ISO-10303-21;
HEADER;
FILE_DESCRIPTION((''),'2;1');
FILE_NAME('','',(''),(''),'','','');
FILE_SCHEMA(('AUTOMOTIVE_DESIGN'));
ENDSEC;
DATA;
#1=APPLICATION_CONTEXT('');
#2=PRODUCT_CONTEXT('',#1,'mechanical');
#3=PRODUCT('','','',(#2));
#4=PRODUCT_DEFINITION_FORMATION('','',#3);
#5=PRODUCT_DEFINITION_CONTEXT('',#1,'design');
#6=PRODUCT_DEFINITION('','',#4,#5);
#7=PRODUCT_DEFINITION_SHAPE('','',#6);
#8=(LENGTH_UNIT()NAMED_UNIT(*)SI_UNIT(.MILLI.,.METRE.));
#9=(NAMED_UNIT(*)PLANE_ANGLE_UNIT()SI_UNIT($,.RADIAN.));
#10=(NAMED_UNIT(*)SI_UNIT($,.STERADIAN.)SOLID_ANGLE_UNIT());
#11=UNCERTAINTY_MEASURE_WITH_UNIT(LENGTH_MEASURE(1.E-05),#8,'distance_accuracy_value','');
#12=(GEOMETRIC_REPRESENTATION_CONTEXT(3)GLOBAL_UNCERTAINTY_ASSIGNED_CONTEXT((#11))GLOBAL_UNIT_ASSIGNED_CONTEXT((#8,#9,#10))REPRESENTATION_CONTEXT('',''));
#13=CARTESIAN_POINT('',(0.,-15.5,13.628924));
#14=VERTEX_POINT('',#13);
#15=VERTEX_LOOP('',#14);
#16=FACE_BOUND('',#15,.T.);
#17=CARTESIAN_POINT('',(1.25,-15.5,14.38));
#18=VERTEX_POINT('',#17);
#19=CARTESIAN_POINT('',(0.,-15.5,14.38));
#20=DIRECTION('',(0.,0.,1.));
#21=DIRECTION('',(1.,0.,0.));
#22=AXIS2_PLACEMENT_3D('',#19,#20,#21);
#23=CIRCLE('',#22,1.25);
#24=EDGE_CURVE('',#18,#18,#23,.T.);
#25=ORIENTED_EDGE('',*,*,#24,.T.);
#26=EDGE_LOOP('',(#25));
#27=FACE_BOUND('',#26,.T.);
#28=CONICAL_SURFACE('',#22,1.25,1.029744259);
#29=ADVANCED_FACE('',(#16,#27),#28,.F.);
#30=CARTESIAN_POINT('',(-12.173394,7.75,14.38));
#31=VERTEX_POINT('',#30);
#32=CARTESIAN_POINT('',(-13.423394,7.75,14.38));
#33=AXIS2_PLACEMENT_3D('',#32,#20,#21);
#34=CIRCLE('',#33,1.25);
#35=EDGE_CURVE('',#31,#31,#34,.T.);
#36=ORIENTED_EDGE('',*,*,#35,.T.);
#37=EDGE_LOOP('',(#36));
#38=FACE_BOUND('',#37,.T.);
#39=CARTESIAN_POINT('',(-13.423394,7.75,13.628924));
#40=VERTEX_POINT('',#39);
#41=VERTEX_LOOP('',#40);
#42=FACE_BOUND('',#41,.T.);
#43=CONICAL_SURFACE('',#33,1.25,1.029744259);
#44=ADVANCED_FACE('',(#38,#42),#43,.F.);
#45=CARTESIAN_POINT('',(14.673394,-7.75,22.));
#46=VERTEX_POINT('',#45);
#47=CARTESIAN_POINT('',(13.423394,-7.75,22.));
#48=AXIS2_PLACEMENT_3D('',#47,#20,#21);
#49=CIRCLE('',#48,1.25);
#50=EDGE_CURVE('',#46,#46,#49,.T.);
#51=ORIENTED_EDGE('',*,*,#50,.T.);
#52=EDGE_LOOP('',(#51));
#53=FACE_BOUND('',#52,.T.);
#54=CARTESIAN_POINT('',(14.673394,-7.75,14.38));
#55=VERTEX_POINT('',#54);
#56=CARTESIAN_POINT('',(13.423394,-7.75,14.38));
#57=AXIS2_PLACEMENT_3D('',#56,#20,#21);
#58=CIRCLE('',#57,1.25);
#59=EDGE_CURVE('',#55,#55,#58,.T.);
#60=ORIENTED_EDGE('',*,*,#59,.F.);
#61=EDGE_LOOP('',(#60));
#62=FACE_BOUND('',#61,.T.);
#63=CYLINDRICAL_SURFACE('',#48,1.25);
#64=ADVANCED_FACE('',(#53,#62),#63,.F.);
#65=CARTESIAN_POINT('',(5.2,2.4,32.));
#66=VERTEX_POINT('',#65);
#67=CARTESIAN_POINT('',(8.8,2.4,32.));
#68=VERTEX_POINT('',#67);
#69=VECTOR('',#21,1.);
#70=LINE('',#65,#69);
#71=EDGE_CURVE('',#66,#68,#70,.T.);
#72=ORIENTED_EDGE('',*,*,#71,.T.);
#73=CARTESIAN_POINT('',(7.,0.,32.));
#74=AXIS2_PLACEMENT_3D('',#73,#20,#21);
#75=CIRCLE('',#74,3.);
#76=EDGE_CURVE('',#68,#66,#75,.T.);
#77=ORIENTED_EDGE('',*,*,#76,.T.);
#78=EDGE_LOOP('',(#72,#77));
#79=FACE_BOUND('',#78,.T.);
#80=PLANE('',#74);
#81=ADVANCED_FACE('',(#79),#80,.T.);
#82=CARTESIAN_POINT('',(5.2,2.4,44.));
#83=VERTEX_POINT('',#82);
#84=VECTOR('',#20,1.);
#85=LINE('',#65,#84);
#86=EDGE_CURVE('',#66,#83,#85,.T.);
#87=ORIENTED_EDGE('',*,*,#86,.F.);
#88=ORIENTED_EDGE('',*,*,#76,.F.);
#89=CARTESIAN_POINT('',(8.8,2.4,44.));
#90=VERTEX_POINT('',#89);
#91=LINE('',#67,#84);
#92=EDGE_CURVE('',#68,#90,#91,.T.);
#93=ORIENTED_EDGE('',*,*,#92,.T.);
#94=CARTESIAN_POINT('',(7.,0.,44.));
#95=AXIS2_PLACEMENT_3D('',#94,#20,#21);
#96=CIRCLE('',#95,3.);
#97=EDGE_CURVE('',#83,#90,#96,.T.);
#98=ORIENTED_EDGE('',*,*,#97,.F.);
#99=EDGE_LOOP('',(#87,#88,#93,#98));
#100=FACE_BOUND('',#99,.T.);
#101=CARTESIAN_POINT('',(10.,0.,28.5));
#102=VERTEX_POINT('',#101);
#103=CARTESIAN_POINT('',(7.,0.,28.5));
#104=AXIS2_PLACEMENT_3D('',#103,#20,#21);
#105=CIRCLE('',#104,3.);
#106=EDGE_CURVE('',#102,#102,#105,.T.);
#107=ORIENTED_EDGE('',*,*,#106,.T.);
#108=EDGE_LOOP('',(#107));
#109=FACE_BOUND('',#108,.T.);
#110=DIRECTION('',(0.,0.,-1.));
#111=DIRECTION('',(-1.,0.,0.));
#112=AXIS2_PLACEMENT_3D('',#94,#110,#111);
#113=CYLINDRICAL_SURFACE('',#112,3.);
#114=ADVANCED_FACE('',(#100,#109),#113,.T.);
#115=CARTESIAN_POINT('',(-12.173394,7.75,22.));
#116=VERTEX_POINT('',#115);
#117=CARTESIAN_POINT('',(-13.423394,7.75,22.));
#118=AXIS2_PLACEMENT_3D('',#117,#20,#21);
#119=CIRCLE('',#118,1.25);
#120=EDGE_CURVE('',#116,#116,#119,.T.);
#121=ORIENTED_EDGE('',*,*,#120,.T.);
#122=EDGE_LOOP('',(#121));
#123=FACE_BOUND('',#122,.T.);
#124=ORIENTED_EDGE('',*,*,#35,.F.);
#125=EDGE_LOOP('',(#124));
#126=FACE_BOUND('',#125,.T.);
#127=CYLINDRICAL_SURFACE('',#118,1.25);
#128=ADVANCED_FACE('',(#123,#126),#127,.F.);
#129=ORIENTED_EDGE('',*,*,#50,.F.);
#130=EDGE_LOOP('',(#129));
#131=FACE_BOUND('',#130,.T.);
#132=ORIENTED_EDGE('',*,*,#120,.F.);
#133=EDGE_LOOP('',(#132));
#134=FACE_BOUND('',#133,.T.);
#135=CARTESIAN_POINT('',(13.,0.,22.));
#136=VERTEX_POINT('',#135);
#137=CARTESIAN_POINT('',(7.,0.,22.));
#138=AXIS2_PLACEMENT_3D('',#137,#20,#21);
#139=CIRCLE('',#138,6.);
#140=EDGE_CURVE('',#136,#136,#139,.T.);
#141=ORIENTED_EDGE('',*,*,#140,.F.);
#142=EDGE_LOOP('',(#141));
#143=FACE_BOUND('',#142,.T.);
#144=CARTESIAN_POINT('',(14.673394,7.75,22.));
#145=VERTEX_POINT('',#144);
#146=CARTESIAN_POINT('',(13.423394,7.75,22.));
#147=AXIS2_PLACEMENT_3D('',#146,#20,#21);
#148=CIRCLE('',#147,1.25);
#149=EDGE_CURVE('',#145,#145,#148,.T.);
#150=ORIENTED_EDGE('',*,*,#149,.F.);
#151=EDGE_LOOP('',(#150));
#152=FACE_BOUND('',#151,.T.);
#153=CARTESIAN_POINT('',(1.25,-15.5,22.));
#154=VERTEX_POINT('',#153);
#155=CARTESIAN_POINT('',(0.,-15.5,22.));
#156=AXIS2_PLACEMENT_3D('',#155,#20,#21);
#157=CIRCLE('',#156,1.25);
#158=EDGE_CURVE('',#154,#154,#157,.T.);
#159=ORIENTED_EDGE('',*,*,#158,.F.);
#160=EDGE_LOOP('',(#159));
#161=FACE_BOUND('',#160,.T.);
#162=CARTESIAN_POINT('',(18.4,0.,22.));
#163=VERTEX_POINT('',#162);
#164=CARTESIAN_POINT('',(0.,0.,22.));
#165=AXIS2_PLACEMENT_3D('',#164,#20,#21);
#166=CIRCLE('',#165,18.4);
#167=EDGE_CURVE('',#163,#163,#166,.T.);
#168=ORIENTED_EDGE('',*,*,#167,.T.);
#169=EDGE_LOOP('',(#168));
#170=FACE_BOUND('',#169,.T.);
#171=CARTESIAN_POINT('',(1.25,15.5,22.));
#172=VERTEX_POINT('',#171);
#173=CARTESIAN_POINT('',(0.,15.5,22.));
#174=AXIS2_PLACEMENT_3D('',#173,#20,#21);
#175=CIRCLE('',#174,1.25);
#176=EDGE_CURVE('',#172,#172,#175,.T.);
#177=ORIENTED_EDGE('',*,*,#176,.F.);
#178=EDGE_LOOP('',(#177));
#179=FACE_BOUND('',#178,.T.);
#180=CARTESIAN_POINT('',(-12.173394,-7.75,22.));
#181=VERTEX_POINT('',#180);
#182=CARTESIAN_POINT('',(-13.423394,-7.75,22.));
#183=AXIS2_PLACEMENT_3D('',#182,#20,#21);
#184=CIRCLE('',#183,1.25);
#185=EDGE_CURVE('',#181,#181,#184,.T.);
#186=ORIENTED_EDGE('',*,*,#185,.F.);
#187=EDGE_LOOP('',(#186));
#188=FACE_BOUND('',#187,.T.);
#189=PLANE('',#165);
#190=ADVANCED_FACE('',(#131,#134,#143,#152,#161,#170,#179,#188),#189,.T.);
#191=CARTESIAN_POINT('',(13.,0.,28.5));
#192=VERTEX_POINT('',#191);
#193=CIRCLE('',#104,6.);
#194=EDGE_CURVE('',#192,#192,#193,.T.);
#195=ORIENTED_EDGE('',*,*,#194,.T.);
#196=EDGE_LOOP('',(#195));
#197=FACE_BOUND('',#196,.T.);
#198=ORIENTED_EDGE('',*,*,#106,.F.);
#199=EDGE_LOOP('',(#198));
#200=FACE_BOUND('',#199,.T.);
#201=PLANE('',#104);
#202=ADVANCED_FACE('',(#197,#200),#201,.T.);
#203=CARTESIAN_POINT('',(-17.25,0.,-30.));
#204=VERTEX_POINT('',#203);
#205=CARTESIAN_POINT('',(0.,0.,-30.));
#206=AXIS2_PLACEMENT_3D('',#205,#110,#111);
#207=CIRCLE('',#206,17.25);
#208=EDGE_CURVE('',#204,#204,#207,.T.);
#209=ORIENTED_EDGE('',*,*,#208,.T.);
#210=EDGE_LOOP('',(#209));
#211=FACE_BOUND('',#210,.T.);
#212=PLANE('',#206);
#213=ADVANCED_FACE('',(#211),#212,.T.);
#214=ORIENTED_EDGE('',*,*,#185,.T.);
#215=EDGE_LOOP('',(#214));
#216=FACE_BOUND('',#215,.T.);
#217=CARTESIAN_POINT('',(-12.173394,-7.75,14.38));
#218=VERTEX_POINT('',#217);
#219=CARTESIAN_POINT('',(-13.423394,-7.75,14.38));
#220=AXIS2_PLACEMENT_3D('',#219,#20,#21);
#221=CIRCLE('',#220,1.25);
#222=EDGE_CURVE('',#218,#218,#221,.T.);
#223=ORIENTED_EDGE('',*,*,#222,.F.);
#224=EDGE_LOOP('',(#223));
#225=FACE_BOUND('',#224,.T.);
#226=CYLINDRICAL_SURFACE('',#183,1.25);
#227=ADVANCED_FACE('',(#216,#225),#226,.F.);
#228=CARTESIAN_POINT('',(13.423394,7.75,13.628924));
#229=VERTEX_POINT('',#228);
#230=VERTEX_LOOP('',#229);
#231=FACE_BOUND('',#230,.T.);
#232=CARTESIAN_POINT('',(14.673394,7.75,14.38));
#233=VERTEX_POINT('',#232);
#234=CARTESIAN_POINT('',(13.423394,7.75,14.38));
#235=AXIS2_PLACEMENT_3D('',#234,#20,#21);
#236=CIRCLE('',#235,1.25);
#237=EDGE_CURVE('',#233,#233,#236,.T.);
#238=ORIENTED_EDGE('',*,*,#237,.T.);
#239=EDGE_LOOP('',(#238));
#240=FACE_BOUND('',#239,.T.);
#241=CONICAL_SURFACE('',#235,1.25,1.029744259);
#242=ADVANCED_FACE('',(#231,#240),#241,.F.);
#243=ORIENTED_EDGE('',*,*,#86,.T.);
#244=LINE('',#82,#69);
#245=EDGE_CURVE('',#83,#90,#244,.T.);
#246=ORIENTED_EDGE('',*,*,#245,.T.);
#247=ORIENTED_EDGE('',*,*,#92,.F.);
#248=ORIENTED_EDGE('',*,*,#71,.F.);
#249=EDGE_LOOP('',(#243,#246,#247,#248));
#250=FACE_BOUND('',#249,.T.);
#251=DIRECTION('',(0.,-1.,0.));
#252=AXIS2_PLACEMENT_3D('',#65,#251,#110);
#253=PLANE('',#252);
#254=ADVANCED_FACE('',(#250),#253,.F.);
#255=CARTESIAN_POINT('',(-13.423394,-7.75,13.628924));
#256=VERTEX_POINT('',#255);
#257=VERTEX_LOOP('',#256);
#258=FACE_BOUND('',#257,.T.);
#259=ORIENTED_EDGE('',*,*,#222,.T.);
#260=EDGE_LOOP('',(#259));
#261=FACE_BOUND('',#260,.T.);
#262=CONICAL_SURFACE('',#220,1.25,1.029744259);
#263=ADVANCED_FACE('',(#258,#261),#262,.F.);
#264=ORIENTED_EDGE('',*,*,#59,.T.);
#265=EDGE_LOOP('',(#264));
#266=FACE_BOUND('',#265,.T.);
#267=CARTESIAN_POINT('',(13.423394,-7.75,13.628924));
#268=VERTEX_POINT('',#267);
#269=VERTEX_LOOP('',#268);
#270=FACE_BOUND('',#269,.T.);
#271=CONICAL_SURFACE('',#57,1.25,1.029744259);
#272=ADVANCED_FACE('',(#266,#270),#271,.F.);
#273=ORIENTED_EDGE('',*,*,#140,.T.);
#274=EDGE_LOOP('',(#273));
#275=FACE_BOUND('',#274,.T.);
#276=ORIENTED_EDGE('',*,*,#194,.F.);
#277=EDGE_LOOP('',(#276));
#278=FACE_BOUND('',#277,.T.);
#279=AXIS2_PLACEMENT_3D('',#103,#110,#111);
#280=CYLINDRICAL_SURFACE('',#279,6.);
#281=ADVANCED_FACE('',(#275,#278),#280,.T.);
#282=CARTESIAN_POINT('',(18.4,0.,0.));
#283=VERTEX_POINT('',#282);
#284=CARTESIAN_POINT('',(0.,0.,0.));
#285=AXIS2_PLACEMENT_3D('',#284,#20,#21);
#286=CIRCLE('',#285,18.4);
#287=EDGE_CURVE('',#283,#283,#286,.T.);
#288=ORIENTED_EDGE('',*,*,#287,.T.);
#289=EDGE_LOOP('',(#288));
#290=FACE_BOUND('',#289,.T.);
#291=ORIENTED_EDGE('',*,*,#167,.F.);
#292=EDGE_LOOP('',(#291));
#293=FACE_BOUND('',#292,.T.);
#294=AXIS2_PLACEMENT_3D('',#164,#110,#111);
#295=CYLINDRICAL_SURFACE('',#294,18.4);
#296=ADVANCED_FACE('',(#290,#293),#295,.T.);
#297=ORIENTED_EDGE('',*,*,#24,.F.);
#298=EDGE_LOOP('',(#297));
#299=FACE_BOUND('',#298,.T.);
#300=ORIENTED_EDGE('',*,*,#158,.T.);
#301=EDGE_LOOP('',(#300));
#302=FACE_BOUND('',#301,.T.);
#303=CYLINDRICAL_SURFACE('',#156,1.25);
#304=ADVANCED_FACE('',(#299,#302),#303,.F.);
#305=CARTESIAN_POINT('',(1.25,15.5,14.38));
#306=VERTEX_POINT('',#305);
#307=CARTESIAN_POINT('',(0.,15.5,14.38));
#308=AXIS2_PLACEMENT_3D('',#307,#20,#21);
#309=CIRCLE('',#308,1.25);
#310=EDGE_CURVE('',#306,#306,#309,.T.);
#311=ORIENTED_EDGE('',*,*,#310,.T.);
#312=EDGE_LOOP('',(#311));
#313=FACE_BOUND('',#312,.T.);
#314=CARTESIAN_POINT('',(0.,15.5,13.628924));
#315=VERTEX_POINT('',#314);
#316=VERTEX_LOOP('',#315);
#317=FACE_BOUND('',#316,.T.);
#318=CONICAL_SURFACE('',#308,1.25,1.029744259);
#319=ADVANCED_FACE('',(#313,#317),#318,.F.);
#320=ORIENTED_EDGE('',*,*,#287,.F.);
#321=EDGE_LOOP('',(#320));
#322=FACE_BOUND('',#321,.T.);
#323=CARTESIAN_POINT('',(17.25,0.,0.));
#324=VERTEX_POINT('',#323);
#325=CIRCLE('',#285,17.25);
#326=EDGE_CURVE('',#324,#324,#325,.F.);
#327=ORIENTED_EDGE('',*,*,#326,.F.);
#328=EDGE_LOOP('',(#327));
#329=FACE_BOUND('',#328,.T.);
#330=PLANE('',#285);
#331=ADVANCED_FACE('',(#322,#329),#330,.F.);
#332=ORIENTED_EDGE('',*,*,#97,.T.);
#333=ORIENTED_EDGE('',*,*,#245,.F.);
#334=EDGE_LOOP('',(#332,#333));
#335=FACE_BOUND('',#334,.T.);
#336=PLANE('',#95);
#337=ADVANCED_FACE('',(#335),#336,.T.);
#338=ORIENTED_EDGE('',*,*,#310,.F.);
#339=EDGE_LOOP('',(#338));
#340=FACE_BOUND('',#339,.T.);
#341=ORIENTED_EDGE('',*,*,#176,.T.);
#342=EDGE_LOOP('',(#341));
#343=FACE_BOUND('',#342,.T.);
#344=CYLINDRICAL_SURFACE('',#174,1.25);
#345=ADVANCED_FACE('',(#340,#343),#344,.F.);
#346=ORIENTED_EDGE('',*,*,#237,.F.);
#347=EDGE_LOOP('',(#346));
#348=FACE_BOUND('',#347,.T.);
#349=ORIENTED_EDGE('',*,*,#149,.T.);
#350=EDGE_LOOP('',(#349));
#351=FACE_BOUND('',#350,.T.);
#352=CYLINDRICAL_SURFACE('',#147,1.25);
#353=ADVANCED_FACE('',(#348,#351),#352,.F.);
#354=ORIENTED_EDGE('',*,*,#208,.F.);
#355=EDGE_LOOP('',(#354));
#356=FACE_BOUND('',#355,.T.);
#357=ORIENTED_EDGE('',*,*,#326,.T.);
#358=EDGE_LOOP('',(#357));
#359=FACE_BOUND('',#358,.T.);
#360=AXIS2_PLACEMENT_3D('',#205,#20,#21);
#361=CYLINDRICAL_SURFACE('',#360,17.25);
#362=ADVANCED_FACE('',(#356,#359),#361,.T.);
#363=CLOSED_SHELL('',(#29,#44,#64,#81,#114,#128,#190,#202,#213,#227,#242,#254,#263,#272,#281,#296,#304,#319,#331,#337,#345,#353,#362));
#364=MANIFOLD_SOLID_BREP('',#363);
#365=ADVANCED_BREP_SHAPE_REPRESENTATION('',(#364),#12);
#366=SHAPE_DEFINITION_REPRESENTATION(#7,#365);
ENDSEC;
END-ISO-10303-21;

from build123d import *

# Parameters (mm, degrees)
SKETCH1_R                 = 18.4
BOSS_EXTRUDE1_DEPTH       = 22
M3X0_5_TAPPED_HOLE1_D     = 2.5
M3X0_5_TAPPED_HOLE1_DEPTH = 7.62
M3X0_5_TAPPED_HOLE1_TIP   = 0.751075774
SKETCH6_R                 = 17.25
BOSS_EXTRUDE2_DEPTH       = 30
SKETCH7_R                 = 3
BOSS_EXTRUDE3_DEPTH       = 22
CUT_EXTRUDE1_DEPTH        = 12
SKETCH9_R                 = 6
BOSS_EXTRUDE4_DEPTH       = 6.5


with BuildPart() as part:
    # Sketch1 → Boss-Extrude1 (new body)
    with BuildSketch(Plane.XY):
        Circle(SKETCH1_R)
    extrude(amount=BOSS_EXTRUDE1_DEPTH)

    # M3x0.5 Tapped Hole1
    with Locations(Plane.XY.offset(22)):
        with Locations((-13.423393759, 7.75), (0, 15.5), (13.423393759, 7.75), (13.423393759, -7.75), (0, -15.5), (-13.423393759, -7.75)):
            Hole(M3X0_5_TAPPED_HOLE1_D / 2, depth=M3X0_5_TAPPED_HOLE1_DEPTH)
            with Locations((0, 0, -(M3X0_5_TAPPED_HOLE1_DEPTH + M3X0_5_TAPPED_HOLE1_TIP / 2))):  # 118° drill point
                Cone(0, M3X0_5_TAPPED_HOLE1_D / 2, M3X0_5_TAPPED_HOLE1_TIP, mode=Mode.SUBTRACT)

    # Sketch6 → Boss-Extrude2 (add)
    with BuildSketch(Plane(origin=(0, 0, 0), x_dir=(-1, 0, 0), z_dir=(0, 0, -1))):
        Circle(SKETCH6_R)
    extrude(amount=BOSS_EXTRUDE2_DEPTH)

    # Sketch7 → Boss-Extrude3 (add)
    with BuildSketch(Plane.XY.offset(22)):
        with Locations((7, 0)):
            Circle(SKETCH7_R)
    extrude(amount=BOSS_EXTRUDE3_DEPTH)

    # Sketch8 → Cut-Extrude1 (cut)
    with BuildSketch(Plane.XY.offset(44)):
        with BuildLine():
            Line((5.2, 2.4), (8.8, 2.4))
            ThreePointArc((8.8, 2.4), (7, 3), (5.2, 2.4))
        make_face()
    extrude(amount=-CUT_EXTRUDE1_DEPTH, mode=Mode.SUBTRACT)

    # Sketch9 → Boss-Extrude4 (add)
    with BuildSketch(Plane.XY.offset(22)):
        with Locations((7, 0)):
            Circle(SKETCH9_R)
    extrude(amount=BOSS_EXTRUDE4_DEPTH)


solid = part.part
